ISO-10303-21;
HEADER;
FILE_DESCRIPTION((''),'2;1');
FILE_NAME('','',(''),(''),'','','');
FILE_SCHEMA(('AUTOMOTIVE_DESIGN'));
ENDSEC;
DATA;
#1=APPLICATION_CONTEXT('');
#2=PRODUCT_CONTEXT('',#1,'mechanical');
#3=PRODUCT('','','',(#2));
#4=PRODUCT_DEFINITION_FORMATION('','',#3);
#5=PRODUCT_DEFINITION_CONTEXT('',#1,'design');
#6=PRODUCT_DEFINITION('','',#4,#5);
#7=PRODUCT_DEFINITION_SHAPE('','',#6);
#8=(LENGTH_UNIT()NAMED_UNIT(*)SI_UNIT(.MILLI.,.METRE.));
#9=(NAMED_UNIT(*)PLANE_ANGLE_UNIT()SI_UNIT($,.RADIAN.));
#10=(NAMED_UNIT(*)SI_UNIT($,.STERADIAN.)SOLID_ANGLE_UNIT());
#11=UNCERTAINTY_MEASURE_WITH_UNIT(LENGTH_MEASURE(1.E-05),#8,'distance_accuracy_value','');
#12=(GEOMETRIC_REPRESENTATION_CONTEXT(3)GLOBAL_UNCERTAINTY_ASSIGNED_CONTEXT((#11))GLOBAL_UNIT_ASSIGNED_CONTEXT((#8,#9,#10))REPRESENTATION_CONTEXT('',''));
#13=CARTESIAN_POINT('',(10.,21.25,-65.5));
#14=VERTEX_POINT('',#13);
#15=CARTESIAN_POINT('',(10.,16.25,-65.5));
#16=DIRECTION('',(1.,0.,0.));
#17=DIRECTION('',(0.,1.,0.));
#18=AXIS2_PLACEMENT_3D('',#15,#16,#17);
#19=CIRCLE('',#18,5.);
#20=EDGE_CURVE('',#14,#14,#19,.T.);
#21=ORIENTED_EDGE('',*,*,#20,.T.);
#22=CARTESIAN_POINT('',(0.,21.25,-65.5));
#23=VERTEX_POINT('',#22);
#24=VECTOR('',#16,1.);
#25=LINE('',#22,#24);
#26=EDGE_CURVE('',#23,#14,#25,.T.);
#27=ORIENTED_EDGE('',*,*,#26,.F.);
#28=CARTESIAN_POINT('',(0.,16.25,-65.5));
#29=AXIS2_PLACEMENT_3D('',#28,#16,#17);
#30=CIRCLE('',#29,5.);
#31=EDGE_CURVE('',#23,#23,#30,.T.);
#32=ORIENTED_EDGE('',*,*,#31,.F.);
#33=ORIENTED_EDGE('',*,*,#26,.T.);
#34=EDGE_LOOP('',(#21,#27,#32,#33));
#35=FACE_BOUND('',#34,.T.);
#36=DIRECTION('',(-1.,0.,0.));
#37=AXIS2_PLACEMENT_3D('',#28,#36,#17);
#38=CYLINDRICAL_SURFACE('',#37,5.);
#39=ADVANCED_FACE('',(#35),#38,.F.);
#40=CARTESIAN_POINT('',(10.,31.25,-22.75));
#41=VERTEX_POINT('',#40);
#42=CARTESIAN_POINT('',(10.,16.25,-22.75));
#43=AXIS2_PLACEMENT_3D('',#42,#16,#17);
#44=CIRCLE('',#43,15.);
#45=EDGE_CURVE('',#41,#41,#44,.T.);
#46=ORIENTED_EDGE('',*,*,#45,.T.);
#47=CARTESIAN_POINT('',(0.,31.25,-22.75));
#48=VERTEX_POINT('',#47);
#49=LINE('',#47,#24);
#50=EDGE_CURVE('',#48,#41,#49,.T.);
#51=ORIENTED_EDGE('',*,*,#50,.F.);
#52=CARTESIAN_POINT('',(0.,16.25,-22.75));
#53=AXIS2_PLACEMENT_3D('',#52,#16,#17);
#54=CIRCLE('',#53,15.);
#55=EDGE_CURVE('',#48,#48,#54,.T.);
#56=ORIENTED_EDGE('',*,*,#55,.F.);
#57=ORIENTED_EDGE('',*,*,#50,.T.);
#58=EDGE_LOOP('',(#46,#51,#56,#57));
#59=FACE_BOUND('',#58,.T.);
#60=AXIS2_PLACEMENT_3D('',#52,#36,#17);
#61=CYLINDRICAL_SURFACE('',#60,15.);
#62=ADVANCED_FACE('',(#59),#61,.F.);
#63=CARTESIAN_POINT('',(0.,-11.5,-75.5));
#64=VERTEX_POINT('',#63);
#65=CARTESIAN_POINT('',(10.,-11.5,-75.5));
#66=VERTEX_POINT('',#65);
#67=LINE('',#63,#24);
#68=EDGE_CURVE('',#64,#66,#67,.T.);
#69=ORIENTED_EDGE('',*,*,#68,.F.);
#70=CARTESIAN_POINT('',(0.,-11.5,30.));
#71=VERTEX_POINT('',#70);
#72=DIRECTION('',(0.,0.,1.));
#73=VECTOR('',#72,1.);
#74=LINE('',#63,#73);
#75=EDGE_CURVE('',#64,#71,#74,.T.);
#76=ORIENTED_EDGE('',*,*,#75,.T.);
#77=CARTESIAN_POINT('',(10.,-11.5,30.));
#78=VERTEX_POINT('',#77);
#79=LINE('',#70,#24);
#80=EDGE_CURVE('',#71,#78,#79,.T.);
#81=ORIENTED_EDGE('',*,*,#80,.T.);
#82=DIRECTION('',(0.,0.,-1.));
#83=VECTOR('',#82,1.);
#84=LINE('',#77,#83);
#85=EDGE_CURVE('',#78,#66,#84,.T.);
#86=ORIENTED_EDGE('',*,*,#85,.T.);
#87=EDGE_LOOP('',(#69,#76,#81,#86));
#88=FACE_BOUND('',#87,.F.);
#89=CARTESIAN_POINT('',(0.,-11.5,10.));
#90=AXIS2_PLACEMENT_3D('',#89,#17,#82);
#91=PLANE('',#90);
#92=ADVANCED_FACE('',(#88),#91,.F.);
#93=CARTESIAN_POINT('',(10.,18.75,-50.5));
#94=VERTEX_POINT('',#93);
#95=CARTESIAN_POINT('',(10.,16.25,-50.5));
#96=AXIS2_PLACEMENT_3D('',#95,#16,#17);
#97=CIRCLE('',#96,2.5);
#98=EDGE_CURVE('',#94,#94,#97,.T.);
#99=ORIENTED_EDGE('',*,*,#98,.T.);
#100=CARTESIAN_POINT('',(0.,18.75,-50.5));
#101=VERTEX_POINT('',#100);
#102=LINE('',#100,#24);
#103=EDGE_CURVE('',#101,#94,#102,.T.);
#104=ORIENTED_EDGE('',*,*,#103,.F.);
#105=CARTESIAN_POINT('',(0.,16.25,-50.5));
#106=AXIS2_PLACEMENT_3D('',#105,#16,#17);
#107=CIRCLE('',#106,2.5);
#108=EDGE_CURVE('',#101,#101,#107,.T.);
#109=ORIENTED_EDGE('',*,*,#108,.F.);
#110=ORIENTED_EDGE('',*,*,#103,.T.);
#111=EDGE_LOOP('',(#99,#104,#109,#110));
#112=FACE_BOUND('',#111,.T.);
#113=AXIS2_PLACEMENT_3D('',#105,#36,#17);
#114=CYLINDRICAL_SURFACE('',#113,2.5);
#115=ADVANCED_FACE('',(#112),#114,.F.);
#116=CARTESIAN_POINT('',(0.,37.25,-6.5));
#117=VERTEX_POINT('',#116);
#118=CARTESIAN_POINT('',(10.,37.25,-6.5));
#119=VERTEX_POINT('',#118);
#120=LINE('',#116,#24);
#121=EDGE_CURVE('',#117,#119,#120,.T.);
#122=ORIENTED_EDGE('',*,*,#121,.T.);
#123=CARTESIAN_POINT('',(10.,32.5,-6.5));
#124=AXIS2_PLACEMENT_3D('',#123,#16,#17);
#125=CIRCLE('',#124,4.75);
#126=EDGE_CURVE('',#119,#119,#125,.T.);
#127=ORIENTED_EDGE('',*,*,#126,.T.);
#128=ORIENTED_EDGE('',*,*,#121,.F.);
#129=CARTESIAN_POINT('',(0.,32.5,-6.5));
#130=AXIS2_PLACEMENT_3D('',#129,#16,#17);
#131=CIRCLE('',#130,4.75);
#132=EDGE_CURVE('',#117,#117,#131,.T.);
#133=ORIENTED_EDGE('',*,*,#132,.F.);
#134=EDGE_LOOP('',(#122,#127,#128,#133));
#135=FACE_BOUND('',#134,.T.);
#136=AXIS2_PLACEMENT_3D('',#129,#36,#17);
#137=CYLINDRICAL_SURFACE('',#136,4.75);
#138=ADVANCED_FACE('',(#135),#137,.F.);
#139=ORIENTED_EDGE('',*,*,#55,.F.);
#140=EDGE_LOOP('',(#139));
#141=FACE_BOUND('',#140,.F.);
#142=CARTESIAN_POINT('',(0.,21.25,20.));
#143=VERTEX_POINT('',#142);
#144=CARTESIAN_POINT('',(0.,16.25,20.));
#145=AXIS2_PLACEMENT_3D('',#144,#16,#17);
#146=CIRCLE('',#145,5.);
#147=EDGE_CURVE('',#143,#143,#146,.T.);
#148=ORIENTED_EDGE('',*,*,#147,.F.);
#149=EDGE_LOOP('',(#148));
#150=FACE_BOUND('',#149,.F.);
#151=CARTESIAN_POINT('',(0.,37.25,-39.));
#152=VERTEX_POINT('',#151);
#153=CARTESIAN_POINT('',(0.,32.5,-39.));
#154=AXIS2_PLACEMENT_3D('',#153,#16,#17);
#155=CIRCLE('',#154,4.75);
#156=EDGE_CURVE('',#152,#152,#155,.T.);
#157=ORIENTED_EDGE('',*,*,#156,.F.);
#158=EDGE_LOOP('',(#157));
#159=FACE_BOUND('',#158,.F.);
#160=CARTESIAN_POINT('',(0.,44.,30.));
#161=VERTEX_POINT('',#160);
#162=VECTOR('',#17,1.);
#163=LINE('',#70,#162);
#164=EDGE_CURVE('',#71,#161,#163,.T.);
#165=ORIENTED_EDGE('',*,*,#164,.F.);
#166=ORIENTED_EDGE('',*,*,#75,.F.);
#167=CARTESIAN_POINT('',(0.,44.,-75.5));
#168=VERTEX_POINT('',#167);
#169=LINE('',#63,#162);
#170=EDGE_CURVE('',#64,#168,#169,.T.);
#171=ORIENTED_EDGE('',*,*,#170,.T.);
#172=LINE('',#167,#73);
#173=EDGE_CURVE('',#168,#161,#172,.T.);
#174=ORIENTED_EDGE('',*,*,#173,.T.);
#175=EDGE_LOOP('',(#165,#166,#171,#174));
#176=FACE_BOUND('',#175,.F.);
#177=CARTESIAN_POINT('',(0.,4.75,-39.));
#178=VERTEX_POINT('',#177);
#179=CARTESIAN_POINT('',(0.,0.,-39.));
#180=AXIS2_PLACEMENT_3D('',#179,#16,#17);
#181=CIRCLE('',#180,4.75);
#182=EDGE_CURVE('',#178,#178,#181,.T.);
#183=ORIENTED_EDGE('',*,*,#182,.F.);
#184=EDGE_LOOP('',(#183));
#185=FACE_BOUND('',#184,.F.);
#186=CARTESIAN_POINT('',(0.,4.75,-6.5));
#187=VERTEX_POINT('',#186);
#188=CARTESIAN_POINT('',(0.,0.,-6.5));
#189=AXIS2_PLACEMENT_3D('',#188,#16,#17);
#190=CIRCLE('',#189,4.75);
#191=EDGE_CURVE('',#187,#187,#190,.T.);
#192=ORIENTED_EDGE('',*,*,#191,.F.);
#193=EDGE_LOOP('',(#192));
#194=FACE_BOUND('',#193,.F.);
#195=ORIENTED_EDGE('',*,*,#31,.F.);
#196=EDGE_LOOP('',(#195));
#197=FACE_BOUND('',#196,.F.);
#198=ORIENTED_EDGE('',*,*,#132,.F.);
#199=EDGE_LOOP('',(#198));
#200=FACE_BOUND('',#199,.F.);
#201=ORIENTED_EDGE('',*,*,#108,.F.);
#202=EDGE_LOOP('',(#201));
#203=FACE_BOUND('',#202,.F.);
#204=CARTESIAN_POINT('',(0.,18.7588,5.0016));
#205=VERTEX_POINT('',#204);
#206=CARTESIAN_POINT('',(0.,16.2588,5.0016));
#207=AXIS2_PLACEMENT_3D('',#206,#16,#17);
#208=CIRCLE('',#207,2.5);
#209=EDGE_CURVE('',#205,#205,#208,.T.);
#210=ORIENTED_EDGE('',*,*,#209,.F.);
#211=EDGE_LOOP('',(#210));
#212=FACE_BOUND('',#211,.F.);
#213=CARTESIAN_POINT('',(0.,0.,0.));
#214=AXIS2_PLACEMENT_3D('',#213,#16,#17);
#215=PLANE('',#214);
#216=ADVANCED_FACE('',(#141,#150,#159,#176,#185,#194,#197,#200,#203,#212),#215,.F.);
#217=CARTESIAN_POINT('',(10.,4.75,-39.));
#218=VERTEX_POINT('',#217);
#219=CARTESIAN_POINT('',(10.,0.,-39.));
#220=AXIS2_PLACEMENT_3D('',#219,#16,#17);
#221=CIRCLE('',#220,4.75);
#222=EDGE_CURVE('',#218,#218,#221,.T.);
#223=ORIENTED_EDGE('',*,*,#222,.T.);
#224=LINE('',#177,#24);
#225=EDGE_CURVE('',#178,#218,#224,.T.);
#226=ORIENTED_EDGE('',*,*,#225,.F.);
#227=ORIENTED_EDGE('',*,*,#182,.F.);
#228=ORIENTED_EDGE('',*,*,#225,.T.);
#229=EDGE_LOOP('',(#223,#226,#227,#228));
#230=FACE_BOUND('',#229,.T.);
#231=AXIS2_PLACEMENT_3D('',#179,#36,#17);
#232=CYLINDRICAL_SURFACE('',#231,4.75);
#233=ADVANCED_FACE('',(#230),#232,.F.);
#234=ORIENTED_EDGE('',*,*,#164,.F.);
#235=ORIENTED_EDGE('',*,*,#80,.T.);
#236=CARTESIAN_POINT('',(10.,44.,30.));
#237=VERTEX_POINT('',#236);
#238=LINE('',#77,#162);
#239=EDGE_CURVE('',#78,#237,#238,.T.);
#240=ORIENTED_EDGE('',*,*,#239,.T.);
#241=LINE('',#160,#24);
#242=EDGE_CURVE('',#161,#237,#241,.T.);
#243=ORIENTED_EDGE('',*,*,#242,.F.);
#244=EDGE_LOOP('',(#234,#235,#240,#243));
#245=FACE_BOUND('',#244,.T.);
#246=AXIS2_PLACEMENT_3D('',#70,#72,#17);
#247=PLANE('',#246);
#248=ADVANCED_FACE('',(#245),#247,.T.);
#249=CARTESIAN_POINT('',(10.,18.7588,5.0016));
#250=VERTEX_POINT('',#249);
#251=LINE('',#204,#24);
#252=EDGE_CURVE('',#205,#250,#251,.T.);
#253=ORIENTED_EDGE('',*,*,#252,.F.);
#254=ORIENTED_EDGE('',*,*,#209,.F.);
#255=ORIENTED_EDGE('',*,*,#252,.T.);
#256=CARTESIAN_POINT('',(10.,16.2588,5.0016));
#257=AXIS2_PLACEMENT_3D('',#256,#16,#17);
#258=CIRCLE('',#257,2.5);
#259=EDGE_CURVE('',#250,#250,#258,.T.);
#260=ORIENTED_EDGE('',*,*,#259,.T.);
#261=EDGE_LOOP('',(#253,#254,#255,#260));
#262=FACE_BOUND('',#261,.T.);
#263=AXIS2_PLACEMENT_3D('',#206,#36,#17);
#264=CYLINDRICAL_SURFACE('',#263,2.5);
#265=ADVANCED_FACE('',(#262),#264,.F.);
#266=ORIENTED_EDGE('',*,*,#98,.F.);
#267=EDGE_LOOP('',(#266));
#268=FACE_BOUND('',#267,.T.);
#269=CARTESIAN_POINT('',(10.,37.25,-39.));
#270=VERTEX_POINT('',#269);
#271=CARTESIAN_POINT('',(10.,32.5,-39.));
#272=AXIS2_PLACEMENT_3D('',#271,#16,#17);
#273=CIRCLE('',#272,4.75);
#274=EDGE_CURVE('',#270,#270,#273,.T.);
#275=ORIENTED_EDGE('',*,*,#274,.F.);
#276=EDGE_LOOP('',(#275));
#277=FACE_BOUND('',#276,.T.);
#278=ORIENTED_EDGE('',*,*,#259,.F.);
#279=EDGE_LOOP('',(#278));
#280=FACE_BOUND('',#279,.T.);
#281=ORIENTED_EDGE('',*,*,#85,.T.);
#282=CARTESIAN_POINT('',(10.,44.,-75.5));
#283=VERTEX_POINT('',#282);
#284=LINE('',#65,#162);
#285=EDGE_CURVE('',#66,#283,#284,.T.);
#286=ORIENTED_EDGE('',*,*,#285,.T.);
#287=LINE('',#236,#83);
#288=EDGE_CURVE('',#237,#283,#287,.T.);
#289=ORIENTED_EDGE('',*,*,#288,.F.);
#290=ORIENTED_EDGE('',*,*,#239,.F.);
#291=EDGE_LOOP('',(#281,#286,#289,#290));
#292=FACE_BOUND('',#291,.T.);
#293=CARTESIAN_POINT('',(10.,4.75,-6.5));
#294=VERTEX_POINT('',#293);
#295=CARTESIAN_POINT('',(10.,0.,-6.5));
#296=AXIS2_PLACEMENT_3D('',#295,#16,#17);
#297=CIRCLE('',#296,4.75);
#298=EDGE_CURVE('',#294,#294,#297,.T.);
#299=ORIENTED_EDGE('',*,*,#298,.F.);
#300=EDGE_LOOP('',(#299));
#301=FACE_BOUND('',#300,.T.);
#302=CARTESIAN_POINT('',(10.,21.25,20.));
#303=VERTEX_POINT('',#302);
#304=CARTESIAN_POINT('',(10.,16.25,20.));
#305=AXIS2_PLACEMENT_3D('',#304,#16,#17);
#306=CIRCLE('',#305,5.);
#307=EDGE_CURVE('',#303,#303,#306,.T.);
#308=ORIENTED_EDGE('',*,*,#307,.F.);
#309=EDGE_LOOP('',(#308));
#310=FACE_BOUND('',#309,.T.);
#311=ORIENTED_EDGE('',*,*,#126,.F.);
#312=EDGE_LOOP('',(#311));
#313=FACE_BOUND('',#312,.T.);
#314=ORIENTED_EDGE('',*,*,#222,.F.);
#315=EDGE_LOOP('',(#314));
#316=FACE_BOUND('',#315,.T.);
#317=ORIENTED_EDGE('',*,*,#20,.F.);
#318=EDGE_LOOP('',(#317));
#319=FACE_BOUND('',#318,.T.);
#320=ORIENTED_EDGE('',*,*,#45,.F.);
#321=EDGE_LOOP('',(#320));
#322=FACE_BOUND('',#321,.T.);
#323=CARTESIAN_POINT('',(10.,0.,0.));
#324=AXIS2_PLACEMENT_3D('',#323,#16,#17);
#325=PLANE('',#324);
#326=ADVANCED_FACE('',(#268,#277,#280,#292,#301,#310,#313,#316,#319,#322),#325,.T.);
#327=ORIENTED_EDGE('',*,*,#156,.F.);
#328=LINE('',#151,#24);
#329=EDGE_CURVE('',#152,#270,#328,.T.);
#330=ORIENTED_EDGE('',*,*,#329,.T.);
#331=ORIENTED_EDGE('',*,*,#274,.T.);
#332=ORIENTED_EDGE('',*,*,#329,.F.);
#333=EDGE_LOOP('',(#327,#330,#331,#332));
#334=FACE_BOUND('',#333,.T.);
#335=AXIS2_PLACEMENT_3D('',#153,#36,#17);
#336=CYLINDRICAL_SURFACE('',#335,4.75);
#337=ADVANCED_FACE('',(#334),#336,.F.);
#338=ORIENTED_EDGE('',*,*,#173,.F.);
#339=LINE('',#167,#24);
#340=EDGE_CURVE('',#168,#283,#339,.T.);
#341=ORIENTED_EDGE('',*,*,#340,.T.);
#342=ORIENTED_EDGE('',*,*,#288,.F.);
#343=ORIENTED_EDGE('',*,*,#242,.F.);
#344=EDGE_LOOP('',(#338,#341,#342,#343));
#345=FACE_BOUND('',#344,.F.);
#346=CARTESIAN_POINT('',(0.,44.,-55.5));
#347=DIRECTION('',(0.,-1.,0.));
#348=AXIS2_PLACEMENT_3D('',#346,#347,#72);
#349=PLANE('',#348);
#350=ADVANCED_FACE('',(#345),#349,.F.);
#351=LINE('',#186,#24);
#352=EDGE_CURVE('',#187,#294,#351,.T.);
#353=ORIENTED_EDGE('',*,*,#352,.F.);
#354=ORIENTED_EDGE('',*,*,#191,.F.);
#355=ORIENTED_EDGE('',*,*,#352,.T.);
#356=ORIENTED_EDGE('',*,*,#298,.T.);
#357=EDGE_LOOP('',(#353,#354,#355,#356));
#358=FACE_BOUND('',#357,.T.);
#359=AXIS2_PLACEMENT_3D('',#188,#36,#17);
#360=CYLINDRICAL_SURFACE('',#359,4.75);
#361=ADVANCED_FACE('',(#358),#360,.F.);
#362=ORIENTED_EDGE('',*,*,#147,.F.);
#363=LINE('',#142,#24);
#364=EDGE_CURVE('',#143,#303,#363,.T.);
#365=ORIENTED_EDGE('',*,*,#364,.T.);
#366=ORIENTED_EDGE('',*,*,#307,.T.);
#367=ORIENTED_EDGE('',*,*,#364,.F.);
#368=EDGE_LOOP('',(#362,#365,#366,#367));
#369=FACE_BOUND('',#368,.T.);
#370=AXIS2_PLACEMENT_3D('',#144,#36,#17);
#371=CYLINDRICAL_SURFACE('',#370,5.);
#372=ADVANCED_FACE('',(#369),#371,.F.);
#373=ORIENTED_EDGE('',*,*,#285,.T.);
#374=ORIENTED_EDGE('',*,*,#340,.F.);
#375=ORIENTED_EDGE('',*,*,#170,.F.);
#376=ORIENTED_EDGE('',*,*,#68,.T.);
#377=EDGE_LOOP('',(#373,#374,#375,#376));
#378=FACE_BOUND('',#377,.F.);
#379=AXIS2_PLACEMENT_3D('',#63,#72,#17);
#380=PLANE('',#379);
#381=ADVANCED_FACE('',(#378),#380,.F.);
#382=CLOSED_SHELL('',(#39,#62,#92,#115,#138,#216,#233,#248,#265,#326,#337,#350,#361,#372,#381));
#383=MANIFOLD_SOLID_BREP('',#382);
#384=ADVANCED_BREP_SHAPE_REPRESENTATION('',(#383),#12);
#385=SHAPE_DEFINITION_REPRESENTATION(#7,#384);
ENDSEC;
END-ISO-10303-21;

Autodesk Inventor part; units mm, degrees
ref_plane "YZ Plane" through (0, 0, 0) normal (1, 0, 0) x (0, 1, 0)
ref_plane "XZ Plane" through (0, 0, 0) normal (0, 1, 0) x (-1, 0, 0)
ref_plane "XY Plane" through (0, 0, 0) normal (0, 0, 1) x (1, 0, 0)
sketch "Sketch1" plane through (0, 0, 0) normal (1, 0, 0) x (0, 1, 0)
  line L0 (-6, -12.5) -> (-6, -12.9)
  arc A0 (-6, -12.9) -> (-5.6, -13.3) centre (-5.6, -12.9) ccw
  line L1 (-5.6, -13.3) -> (-4.9, -13.3)
  arc A1 (-4.9, -13.3) -> (-4.7, -13.1) centre (-4.9, -13.1) ccw
  line L2 (-4.7, -13.1) -> (-4.7, -12.85)
  arc A2 (-4.5, -12.65) -> (-4.7, -12.85) centre (-4.5, -12.85) ccw
  line L3 (-4.5, -12.65) -> (-1.8, -12.65)
  arc A3 (-1.4, -13.05) -> (-1.8, -12.65) centre (-1.8, -13.05) ccw
  line L4 (-1.4, -13.05) -> (-1.4, -18.75)
  line L5 (-1.8, -19.15) -> (-4.5, -19.15)
  arc A4 (-1.8, -19.15) -> (-1.4, -18.75) centre (-1.8, -18.75) ccw
  arc A5 (-4.7, -18.95) -> (-4.5, -19.15) centre (-4.5, -18.95) ccw
  line L6 (-4.7, -18.95) -> (-4.7, -18.7)
  arc A6 (-4.7, -18.7) -> (-4.9, -18.5) centre (-4.9, -18.7) ccw
  line L7 (-4.9, -18.5) -> (-5.6, -18.5)
  arc A7 (-5.6, -18.5) -> (-6, -18.9) centre (-5.6, -18.9) ccw
  line L8 (-6, -18.9) -> (-6, -19.5)
  line L9 (-6.5, -6.5) -> (-6.5, -12.5)
  line L10 (-6.5, -12.5) -> (-2.5, -12.5)
  line L11 (-1.05, -19.5) -> (-6.5, -19.5)
  line L12 (-6.5, -19.5) -> (-6.5, -26)
  line L13 (-6.5, -26) -> (-1.05, -26)
  line L14 (-6, -26) -> (-6, -26.6)
  arc A8 (-6, -26.6) -> (-5.6, -27) centre (-5.6, -26.6) ccw
  line L15 (-5.6, -27) -> (-4.9, -27)
  arc A9 (-4.9, -27) -> (-4.7, -26.8) centre (-4.9, -26.8) ccw
  arc A10 (-4.5, -26.35) -> (-4.7, -26.55) centre (-4.5, -26.55) ccw
  line L16 (-4.7, -26.8) -> (-4.7, -26.55)
  line L17 (-4.5, -26.35) -> (-1.8, -26.35)
  arc A11 (-1.4, -26.75) -> (-1.8, -26.35) centre (-1.8, -26.75) ccw
  line L18 (-1.4, -26.75) -> (-1.4, -32.45)
  arc A12 (-1.8, -32.85) -> (-1.4, -32.45) centre (-1.8, -32.45) ccw
  line L19 (-1.8, -32.85) -> (-4.5, -32.85)
  arc A13 (-4.7, -32.65) -> (-4.5, -32.85) centre (-4.5, -32.65) ccw
  line L20 (-4.7, -32.65) -> (-4.7, -32.4)
  arc A14 (-4.7, -32.4) -> (-4.9, -32.2) centre (-4.9, -32.4) ccw
  line L21 (-4.9, -32.2) -> (-5.6, -32.2)
  arc A15 (-5.6, -32.2) -> (-6, -32.6) centre (-5.6, -32.6) ccw
  line L22 (-6, -32.6) -> (-6, -33)
  line L23 (-2.5, -33) -> (-6.5, -33)
  line L24 (-6.5, -33) -> (-6.5, -39)
  line L25 (32.5, 0) -> (0, 0)
  circle A16 centre (0, -6.5) radius 4.75
  circle A17 centre (32.5, -6.5) radius 4.75
  circle A18 centre (0, -39) radius 4.75
  circle A19 centre (32.5, -39) radius 4.75
  line L26 (39, -26) -> (39, -19.5)
  line L27 (39, -12.5) -> (39, -6.5)
  line L28 (39, -39) -> (39, -33)
  line L29 (26.5, -45.5) -> (32.5, -45.5)
  line L30 (0, -45.5) -> (6, -45.5)
  line L31 (13, -45.5) -> (19.5, -45.5)
  circle A20 centre (16.2588, 5.0016) radius 2.5
  circle A21 centre (16.25, -50.5) radius 2.5
  line L32 (44, 10) -> (-11.5, 10)
  line L33 (-11.5, 10) -> (-11.5, -55.5)
  line L34 (-11.5, -55.5) -> (44, -55.5)
  line L35 (44, -55.5) -> (44, 10)
  line L36 (44, 10) -> (-11.5, 10)
  line L37 (-11.5, 10) -> (-11.5, 30)
  line L38 (-11.5, 30) -> (44, 30)
  line L39 (44, 30) -> (44, 10)
  line L40 (44, -55.5) -> (-11.5, -55.5)
  line L41 (-11.5, -55.5) -> (-11.5, -75.5)
  line L42 (-11.5, -75.5) -> (44, -75.5)
  line L43 (44, -75.5) -> (44, -55.5)
  circle A22 centre (16.25, 20) radius 5
  circle A23 centre (16.25, -65.5) radius 5
  circle A24 centre (16.25, -22.75) radius 15
  circle A25 centre (16.25, -22.75) radius 5
  point P0 (24.75, -17.8425)
  point P1 (-11.5, 10)
  dimension "d0" = 20
  dimension "d1" = 20
  dimension "d2" = 10
  dimension "d3" = 10
extrude "Extrusion2" add sketch "Sketch1" along normal blind 10 contours L35 L34 L33 L32 | L32 L37 L38 L39 | L43 L42 L41 L34
properties part number "PlacaSuperiorHidráulicos_CPY"
